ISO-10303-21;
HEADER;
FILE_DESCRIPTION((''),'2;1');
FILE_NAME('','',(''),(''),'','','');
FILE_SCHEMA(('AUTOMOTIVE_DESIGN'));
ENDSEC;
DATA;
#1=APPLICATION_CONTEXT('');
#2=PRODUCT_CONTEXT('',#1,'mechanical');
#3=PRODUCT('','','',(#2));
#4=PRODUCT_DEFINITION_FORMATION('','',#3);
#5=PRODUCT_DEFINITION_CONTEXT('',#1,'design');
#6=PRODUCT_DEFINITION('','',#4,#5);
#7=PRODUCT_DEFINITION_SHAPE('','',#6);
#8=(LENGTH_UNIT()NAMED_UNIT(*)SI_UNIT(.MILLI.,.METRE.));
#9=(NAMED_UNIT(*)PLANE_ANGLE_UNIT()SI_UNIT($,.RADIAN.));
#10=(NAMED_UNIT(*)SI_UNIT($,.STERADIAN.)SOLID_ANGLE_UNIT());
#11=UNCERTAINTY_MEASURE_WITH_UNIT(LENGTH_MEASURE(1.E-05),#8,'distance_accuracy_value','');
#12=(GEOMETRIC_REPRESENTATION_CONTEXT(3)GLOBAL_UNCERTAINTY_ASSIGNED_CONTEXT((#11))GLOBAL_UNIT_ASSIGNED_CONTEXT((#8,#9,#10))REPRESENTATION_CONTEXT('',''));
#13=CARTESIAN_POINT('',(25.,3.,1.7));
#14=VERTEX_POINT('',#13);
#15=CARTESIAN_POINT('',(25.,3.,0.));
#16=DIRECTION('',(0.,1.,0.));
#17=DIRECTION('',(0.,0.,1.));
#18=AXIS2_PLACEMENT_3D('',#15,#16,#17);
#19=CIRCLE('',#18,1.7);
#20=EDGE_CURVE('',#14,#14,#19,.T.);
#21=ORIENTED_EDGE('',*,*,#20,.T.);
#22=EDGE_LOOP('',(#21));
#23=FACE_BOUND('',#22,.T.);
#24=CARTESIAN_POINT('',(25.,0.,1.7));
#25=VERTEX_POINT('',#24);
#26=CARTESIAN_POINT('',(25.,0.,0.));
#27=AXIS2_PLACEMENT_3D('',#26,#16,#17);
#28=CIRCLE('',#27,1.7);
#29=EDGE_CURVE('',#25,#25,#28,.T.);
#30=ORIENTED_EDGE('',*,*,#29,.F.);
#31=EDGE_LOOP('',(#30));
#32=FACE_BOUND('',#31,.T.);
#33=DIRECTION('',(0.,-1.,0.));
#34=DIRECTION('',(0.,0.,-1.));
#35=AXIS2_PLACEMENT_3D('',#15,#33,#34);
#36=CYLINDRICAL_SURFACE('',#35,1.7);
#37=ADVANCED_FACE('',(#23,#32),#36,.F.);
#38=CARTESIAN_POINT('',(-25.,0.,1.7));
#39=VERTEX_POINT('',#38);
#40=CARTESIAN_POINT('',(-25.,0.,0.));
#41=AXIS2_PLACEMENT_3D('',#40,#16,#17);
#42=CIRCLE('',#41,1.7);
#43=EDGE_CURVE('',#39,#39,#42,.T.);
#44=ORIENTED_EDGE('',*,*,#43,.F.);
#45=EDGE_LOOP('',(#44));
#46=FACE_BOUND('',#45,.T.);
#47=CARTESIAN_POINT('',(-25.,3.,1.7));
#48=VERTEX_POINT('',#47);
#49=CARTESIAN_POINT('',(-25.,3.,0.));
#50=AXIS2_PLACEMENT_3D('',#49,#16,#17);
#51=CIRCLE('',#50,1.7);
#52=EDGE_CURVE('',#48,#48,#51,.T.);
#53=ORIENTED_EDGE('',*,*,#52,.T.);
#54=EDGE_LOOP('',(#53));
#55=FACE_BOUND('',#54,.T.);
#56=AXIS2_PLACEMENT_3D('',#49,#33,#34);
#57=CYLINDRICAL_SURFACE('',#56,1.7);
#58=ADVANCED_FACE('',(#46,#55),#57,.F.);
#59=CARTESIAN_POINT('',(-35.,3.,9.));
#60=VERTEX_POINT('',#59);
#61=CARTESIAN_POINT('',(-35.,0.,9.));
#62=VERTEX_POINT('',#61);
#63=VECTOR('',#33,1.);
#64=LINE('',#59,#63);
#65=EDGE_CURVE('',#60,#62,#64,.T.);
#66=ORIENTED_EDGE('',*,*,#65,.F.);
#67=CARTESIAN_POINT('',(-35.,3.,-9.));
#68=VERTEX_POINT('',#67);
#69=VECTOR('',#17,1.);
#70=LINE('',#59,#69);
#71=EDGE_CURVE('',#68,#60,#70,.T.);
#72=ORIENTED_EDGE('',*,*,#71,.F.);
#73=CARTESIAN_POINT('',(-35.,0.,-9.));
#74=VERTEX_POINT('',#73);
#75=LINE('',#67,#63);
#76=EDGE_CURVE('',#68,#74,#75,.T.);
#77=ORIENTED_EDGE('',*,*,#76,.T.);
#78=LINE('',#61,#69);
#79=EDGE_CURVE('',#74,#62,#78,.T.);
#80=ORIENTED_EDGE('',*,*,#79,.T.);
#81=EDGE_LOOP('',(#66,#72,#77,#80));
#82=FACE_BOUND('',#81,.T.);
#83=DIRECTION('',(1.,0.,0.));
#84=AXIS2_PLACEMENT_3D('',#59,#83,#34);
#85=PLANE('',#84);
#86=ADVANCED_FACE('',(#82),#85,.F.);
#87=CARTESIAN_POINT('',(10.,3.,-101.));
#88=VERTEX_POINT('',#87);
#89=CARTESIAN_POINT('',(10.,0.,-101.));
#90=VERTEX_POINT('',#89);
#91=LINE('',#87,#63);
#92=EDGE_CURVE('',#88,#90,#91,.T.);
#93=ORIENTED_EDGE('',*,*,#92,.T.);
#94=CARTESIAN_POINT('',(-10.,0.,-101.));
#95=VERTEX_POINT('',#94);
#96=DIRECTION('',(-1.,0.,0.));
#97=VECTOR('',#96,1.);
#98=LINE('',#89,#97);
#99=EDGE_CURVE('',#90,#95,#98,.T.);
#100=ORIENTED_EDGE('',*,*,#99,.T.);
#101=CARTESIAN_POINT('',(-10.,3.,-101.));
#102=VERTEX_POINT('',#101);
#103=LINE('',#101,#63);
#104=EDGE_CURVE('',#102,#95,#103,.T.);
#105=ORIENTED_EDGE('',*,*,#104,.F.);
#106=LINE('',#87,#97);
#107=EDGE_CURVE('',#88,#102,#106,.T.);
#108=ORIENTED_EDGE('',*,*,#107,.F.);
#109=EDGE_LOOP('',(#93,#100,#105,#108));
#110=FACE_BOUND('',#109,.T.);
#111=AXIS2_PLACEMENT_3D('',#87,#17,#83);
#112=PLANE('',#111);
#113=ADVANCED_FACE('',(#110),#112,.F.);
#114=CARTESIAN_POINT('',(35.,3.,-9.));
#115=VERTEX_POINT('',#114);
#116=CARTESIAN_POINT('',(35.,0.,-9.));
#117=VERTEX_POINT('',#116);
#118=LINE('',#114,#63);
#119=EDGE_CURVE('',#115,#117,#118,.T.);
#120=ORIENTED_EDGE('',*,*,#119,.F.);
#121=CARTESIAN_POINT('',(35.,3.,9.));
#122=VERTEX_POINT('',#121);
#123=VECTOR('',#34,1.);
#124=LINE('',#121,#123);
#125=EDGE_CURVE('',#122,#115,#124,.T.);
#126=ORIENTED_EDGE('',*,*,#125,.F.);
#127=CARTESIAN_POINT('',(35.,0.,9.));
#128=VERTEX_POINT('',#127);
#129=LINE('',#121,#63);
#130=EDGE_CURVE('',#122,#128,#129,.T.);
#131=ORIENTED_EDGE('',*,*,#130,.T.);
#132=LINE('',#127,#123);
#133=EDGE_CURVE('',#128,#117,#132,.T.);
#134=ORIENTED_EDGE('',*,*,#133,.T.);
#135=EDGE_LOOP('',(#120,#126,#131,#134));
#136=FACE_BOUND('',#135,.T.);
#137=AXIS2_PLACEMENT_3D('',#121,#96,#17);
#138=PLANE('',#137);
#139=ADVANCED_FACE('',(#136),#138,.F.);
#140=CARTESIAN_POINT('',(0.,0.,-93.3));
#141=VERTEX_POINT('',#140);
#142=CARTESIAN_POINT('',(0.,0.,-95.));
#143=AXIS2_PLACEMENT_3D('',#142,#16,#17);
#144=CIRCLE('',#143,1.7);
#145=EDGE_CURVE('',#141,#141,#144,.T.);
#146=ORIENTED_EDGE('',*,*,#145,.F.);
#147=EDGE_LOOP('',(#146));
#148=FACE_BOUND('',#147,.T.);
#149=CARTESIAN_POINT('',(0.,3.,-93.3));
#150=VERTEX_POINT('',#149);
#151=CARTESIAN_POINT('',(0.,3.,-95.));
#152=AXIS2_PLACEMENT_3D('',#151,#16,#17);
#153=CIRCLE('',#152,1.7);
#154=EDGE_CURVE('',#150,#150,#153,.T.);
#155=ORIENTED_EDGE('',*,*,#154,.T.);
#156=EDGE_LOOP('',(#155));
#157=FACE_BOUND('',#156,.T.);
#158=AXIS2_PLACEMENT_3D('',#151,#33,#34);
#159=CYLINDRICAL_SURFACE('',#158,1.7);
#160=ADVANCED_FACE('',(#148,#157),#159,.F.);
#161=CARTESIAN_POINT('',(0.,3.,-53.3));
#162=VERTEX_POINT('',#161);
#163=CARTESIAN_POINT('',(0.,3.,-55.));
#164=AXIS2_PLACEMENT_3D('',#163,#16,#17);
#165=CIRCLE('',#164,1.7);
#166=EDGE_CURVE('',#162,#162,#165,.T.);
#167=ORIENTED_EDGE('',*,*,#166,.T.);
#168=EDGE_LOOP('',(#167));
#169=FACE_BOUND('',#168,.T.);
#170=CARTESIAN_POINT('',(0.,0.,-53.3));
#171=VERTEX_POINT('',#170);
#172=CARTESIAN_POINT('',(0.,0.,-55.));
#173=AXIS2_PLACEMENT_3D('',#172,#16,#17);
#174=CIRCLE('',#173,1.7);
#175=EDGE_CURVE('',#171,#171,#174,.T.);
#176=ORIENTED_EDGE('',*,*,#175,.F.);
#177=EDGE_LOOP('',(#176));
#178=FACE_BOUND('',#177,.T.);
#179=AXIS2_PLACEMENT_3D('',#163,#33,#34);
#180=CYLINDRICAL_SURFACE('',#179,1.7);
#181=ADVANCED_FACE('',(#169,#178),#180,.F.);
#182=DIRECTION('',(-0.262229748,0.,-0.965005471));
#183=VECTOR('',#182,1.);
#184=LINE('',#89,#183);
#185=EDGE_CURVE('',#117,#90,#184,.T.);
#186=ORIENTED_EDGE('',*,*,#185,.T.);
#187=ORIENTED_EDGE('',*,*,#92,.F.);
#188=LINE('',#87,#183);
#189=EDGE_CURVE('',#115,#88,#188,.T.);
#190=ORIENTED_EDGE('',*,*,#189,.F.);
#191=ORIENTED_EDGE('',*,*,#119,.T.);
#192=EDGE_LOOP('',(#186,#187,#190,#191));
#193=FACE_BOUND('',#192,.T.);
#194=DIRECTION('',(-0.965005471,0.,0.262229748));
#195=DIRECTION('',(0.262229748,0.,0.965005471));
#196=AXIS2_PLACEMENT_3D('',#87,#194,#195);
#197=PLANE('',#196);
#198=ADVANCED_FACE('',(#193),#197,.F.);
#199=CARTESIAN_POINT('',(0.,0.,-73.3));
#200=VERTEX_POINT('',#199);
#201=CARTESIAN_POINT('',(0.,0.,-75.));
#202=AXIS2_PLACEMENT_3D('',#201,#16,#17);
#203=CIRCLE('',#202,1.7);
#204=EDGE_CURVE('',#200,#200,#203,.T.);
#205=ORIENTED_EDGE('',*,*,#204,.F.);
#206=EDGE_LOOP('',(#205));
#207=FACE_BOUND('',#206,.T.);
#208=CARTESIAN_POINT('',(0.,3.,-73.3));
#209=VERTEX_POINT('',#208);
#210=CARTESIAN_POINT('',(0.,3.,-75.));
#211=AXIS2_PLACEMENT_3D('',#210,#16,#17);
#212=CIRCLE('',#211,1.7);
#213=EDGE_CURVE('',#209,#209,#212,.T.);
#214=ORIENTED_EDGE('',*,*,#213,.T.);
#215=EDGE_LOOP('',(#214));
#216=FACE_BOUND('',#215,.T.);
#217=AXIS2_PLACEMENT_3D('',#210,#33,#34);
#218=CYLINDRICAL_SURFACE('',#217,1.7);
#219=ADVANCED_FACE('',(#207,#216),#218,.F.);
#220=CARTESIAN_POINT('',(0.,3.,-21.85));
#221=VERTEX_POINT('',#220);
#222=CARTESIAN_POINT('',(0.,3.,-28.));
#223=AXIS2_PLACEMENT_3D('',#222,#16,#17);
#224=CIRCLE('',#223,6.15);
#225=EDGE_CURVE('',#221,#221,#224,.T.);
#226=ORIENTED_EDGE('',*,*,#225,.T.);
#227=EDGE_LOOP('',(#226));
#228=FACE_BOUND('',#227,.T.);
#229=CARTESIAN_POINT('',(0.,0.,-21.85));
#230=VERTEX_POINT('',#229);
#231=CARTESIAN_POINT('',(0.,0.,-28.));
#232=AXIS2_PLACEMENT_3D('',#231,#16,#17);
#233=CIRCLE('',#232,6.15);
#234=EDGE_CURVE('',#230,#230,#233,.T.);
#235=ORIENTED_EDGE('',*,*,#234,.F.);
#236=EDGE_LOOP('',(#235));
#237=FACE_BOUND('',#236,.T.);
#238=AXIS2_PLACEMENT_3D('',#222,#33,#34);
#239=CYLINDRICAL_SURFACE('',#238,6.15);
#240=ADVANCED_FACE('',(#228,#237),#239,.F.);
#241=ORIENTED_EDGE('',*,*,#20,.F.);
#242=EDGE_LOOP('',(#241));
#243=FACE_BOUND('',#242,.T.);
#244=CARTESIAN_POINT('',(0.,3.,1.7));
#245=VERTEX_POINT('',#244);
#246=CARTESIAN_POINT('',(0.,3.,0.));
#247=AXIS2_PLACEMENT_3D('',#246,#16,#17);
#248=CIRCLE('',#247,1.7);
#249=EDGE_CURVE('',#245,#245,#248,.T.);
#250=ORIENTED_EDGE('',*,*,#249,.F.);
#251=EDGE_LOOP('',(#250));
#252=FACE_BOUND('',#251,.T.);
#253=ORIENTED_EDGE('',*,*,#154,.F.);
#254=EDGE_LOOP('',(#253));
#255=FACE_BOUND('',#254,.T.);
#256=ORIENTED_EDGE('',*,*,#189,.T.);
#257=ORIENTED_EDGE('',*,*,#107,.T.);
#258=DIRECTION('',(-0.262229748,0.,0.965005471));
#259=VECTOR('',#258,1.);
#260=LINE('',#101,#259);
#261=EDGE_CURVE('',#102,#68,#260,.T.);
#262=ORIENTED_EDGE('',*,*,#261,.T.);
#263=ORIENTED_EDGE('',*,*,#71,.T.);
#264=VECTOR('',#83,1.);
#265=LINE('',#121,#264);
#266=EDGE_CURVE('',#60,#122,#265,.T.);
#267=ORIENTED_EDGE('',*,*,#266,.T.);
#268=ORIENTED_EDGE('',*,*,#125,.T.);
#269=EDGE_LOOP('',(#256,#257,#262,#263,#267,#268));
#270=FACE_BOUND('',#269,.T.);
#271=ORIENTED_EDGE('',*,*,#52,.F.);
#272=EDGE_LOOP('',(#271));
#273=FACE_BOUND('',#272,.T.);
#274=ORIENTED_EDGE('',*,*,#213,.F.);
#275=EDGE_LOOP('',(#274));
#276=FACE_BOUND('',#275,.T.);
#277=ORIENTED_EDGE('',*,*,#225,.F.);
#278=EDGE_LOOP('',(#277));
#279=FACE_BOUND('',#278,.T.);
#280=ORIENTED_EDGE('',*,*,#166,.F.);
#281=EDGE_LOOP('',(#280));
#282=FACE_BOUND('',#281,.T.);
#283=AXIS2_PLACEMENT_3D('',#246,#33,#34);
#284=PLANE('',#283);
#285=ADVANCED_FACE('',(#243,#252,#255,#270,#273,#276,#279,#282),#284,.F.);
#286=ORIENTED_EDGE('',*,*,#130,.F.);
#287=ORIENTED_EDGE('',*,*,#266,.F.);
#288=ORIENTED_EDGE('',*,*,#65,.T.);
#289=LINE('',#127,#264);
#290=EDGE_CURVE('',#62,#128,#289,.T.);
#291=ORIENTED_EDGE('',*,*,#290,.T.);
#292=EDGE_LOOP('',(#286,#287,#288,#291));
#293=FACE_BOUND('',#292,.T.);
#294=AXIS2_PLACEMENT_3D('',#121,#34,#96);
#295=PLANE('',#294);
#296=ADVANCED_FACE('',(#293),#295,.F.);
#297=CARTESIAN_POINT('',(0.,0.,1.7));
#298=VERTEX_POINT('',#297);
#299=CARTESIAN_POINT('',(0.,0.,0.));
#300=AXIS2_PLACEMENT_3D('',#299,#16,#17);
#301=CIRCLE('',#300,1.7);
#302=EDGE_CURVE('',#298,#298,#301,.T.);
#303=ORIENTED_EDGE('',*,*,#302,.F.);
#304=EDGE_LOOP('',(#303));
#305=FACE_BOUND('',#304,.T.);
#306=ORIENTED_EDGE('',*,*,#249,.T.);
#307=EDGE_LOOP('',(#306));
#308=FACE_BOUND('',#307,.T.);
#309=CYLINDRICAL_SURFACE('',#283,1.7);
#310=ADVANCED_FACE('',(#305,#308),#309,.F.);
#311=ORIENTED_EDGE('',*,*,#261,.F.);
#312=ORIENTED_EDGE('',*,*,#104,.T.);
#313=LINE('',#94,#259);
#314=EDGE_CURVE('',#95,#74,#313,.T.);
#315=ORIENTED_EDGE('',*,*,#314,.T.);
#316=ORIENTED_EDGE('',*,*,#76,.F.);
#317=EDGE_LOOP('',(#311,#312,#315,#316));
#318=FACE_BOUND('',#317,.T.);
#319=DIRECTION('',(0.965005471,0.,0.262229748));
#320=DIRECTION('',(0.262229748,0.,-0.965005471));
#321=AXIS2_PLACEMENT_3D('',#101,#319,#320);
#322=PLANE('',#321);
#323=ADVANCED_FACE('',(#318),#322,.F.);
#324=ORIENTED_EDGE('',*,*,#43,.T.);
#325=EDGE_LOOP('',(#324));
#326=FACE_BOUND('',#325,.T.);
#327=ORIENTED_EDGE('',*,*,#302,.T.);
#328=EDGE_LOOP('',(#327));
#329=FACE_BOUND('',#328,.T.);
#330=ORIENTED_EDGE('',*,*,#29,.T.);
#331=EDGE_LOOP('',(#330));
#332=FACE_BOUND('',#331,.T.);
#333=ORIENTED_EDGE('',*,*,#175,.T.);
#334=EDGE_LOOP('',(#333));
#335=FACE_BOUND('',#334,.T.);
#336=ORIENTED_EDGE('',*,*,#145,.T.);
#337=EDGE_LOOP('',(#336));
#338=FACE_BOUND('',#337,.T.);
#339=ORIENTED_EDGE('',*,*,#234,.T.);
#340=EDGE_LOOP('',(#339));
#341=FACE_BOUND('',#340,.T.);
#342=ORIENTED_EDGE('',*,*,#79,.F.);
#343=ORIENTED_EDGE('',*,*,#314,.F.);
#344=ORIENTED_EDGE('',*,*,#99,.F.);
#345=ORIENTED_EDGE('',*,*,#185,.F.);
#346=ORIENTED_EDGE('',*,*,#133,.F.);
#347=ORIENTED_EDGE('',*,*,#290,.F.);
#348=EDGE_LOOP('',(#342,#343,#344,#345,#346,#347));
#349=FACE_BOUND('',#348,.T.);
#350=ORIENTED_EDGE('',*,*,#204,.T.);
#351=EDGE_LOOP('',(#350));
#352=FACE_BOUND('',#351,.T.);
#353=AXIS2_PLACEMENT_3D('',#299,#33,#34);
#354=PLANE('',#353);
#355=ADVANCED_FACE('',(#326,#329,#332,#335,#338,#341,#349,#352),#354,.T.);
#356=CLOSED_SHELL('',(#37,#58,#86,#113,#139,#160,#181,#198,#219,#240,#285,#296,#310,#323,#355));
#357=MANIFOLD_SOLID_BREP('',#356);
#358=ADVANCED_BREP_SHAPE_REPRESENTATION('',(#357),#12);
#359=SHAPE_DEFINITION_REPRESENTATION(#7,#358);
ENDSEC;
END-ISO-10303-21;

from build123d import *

# Parameters (mm, degrees)
SKETCH_1_R      = 1.7
SKETCH_1_R_2    = 6.15
EXTRUDE_1_DEPTH = 3


with BuildPart() as part:
    # 草图1 → 凸台-拉伸1 (new body)
    with BuildSketch(Plane(origin=(0, 0, 0), x_dir=(1, 0, 0), z_dir=(0, 1, 0))):
        Polygon((35, -9), (-35, -9), (-35, 9), (-10, 101), (10, 101), (35, 9), align=None)
        Circle(SKETCH_1_R, mode=Mode.SUBTRACT)
        with Locations((-25, 0)):
            Circle(SKETCH_1_R, mode=Mode.SUBTRACT)
        with Locations((25, 0)):
            Circle(SKETCH_1_R, mode=Mode.SUBTRACT)
        with Locations((0, 28)):
            Circle(SKETCH_1_R_2, mode=Mode.SUBTRACT)
        with Locations((0, 55)):
            Circle(SKETCH_1_R, mode=Mode.SUBTRACT)
        with Locations((0, 75)):
            Circle(SKETCH_1_R, mode=Mode.SUBTRACT)
        with Locations((0, 95)):
            Circle(SKETCH_1_R, mode=Mode.SUBTRACT)
    extrude(amount=EXTRUDE_1_DEPTH)


solid = part.part
